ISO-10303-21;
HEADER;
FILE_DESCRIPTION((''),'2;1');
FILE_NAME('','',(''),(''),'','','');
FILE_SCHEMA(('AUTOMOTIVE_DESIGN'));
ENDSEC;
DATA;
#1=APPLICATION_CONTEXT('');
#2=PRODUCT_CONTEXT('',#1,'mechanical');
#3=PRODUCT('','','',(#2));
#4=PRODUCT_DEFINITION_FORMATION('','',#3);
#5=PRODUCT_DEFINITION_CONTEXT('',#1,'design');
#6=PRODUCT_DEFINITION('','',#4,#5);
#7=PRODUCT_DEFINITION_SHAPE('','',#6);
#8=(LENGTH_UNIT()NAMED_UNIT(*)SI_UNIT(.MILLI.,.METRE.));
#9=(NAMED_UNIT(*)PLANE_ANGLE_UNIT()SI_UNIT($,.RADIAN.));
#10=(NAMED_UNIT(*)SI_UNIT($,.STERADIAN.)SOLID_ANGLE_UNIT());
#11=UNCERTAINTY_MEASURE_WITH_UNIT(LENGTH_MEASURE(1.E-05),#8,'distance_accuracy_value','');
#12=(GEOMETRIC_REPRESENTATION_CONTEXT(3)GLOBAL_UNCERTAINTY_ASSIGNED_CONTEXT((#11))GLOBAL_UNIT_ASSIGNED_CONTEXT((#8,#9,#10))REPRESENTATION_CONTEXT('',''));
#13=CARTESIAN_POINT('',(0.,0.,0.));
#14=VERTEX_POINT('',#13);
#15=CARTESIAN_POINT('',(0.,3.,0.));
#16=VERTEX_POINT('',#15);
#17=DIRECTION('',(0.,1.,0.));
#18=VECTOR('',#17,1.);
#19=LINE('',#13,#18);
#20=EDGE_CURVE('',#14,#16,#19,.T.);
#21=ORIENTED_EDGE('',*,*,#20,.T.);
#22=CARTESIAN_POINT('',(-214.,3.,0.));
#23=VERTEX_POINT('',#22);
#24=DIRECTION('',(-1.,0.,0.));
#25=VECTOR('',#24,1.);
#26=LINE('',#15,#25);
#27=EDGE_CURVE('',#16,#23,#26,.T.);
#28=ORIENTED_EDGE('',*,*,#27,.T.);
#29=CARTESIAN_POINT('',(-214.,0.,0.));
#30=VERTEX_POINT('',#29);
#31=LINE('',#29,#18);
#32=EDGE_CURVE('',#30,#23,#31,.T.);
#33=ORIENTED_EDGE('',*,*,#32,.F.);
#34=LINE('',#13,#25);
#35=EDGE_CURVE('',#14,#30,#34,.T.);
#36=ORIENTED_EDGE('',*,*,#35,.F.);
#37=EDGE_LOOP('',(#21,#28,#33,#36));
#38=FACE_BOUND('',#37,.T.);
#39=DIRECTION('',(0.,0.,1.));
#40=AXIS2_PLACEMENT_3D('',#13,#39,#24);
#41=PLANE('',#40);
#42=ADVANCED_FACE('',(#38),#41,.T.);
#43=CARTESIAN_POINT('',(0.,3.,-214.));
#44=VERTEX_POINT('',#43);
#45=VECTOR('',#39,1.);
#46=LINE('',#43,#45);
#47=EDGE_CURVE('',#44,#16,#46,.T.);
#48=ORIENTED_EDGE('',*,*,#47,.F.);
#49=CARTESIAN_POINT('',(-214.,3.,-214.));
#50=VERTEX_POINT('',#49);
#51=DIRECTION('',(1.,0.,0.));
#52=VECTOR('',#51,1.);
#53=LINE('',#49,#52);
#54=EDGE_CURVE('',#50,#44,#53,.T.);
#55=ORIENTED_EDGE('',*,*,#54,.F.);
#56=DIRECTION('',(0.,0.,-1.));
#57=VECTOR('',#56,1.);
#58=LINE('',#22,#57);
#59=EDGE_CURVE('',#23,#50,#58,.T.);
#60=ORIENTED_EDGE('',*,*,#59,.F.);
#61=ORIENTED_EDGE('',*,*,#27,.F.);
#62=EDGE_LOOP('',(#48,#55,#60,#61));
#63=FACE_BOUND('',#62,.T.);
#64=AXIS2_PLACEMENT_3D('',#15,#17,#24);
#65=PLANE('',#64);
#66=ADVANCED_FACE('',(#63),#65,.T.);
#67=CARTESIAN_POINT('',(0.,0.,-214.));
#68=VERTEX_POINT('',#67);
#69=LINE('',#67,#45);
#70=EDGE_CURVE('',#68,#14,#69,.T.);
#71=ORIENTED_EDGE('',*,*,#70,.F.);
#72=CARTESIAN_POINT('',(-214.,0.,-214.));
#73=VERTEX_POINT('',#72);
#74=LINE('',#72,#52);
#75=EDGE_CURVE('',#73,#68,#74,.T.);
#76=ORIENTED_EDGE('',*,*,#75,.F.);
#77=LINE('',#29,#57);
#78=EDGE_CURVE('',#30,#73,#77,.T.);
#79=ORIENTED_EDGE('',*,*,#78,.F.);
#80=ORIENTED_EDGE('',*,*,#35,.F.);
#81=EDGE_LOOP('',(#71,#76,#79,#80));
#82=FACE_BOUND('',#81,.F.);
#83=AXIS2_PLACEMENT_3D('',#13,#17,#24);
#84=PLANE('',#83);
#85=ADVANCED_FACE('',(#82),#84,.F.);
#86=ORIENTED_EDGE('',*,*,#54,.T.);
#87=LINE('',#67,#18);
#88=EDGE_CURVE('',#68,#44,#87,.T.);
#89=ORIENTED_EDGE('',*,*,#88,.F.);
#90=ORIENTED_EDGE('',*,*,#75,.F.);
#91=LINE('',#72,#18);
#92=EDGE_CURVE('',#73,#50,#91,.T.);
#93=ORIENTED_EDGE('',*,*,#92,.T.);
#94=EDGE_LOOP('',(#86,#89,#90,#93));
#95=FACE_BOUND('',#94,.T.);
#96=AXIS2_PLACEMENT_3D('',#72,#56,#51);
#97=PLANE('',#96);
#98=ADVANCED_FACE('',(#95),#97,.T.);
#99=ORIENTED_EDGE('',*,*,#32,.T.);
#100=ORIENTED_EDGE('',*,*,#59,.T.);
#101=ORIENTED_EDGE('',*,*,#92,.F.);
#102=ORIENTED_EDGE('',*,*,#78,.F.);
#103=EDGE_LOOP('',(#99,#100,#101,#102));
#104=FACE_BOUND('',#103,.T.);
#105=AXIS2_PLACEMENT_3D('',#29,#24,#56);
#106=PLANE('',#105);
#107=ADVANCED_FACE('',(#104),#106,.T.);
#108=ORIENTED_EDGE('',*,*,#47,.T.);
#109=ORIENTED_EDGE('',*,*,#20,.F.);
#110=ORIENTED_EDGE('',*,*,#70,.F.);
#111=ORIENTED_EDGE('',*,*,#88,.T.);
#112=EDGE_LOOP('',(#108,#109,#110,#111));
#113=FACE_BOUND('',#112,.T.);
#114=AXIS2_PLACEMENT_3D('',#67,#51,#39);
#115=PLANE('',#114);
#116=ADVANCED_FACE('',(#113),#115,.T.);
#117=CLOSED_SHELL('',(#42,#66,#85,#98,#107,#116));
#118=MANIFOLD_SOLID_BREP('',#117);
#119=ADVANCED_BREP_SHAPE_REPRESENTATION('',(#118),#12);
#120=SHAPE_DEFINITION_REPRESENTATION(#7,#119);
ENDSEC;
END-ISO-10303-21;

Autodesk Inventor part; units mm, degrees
ref_plane "YZ Plane" through (0, 0, 0) normal (1, 0, 0) x (0, 1, 0)
ref_plane "XZ Plane" through (0, 0, 0) normal (0, 1, 0) x (-1, 0, 0)
ref_plane "XY Plane" through (0, 0, 0) normal (0, 0, 1) x (1, 0, 0)
sketch "Sketch1" plane through (0, 0, 0) normal (0, 1, 0) x (-1, 0, 0)
  line L0 (0, 0) -> (214, 0)
  line L1 (214, 0) -> (214, -214)
  line L2 (214, -214) -> (0, -214)
  line L3 (0, -214) -> (0, 0)
  dimension "d0" = 214
  dimension "d1" = 214
extrude "Extrusion1" add sketch "Sketch1" along normal blind 3
properties part number "BedPCB"
